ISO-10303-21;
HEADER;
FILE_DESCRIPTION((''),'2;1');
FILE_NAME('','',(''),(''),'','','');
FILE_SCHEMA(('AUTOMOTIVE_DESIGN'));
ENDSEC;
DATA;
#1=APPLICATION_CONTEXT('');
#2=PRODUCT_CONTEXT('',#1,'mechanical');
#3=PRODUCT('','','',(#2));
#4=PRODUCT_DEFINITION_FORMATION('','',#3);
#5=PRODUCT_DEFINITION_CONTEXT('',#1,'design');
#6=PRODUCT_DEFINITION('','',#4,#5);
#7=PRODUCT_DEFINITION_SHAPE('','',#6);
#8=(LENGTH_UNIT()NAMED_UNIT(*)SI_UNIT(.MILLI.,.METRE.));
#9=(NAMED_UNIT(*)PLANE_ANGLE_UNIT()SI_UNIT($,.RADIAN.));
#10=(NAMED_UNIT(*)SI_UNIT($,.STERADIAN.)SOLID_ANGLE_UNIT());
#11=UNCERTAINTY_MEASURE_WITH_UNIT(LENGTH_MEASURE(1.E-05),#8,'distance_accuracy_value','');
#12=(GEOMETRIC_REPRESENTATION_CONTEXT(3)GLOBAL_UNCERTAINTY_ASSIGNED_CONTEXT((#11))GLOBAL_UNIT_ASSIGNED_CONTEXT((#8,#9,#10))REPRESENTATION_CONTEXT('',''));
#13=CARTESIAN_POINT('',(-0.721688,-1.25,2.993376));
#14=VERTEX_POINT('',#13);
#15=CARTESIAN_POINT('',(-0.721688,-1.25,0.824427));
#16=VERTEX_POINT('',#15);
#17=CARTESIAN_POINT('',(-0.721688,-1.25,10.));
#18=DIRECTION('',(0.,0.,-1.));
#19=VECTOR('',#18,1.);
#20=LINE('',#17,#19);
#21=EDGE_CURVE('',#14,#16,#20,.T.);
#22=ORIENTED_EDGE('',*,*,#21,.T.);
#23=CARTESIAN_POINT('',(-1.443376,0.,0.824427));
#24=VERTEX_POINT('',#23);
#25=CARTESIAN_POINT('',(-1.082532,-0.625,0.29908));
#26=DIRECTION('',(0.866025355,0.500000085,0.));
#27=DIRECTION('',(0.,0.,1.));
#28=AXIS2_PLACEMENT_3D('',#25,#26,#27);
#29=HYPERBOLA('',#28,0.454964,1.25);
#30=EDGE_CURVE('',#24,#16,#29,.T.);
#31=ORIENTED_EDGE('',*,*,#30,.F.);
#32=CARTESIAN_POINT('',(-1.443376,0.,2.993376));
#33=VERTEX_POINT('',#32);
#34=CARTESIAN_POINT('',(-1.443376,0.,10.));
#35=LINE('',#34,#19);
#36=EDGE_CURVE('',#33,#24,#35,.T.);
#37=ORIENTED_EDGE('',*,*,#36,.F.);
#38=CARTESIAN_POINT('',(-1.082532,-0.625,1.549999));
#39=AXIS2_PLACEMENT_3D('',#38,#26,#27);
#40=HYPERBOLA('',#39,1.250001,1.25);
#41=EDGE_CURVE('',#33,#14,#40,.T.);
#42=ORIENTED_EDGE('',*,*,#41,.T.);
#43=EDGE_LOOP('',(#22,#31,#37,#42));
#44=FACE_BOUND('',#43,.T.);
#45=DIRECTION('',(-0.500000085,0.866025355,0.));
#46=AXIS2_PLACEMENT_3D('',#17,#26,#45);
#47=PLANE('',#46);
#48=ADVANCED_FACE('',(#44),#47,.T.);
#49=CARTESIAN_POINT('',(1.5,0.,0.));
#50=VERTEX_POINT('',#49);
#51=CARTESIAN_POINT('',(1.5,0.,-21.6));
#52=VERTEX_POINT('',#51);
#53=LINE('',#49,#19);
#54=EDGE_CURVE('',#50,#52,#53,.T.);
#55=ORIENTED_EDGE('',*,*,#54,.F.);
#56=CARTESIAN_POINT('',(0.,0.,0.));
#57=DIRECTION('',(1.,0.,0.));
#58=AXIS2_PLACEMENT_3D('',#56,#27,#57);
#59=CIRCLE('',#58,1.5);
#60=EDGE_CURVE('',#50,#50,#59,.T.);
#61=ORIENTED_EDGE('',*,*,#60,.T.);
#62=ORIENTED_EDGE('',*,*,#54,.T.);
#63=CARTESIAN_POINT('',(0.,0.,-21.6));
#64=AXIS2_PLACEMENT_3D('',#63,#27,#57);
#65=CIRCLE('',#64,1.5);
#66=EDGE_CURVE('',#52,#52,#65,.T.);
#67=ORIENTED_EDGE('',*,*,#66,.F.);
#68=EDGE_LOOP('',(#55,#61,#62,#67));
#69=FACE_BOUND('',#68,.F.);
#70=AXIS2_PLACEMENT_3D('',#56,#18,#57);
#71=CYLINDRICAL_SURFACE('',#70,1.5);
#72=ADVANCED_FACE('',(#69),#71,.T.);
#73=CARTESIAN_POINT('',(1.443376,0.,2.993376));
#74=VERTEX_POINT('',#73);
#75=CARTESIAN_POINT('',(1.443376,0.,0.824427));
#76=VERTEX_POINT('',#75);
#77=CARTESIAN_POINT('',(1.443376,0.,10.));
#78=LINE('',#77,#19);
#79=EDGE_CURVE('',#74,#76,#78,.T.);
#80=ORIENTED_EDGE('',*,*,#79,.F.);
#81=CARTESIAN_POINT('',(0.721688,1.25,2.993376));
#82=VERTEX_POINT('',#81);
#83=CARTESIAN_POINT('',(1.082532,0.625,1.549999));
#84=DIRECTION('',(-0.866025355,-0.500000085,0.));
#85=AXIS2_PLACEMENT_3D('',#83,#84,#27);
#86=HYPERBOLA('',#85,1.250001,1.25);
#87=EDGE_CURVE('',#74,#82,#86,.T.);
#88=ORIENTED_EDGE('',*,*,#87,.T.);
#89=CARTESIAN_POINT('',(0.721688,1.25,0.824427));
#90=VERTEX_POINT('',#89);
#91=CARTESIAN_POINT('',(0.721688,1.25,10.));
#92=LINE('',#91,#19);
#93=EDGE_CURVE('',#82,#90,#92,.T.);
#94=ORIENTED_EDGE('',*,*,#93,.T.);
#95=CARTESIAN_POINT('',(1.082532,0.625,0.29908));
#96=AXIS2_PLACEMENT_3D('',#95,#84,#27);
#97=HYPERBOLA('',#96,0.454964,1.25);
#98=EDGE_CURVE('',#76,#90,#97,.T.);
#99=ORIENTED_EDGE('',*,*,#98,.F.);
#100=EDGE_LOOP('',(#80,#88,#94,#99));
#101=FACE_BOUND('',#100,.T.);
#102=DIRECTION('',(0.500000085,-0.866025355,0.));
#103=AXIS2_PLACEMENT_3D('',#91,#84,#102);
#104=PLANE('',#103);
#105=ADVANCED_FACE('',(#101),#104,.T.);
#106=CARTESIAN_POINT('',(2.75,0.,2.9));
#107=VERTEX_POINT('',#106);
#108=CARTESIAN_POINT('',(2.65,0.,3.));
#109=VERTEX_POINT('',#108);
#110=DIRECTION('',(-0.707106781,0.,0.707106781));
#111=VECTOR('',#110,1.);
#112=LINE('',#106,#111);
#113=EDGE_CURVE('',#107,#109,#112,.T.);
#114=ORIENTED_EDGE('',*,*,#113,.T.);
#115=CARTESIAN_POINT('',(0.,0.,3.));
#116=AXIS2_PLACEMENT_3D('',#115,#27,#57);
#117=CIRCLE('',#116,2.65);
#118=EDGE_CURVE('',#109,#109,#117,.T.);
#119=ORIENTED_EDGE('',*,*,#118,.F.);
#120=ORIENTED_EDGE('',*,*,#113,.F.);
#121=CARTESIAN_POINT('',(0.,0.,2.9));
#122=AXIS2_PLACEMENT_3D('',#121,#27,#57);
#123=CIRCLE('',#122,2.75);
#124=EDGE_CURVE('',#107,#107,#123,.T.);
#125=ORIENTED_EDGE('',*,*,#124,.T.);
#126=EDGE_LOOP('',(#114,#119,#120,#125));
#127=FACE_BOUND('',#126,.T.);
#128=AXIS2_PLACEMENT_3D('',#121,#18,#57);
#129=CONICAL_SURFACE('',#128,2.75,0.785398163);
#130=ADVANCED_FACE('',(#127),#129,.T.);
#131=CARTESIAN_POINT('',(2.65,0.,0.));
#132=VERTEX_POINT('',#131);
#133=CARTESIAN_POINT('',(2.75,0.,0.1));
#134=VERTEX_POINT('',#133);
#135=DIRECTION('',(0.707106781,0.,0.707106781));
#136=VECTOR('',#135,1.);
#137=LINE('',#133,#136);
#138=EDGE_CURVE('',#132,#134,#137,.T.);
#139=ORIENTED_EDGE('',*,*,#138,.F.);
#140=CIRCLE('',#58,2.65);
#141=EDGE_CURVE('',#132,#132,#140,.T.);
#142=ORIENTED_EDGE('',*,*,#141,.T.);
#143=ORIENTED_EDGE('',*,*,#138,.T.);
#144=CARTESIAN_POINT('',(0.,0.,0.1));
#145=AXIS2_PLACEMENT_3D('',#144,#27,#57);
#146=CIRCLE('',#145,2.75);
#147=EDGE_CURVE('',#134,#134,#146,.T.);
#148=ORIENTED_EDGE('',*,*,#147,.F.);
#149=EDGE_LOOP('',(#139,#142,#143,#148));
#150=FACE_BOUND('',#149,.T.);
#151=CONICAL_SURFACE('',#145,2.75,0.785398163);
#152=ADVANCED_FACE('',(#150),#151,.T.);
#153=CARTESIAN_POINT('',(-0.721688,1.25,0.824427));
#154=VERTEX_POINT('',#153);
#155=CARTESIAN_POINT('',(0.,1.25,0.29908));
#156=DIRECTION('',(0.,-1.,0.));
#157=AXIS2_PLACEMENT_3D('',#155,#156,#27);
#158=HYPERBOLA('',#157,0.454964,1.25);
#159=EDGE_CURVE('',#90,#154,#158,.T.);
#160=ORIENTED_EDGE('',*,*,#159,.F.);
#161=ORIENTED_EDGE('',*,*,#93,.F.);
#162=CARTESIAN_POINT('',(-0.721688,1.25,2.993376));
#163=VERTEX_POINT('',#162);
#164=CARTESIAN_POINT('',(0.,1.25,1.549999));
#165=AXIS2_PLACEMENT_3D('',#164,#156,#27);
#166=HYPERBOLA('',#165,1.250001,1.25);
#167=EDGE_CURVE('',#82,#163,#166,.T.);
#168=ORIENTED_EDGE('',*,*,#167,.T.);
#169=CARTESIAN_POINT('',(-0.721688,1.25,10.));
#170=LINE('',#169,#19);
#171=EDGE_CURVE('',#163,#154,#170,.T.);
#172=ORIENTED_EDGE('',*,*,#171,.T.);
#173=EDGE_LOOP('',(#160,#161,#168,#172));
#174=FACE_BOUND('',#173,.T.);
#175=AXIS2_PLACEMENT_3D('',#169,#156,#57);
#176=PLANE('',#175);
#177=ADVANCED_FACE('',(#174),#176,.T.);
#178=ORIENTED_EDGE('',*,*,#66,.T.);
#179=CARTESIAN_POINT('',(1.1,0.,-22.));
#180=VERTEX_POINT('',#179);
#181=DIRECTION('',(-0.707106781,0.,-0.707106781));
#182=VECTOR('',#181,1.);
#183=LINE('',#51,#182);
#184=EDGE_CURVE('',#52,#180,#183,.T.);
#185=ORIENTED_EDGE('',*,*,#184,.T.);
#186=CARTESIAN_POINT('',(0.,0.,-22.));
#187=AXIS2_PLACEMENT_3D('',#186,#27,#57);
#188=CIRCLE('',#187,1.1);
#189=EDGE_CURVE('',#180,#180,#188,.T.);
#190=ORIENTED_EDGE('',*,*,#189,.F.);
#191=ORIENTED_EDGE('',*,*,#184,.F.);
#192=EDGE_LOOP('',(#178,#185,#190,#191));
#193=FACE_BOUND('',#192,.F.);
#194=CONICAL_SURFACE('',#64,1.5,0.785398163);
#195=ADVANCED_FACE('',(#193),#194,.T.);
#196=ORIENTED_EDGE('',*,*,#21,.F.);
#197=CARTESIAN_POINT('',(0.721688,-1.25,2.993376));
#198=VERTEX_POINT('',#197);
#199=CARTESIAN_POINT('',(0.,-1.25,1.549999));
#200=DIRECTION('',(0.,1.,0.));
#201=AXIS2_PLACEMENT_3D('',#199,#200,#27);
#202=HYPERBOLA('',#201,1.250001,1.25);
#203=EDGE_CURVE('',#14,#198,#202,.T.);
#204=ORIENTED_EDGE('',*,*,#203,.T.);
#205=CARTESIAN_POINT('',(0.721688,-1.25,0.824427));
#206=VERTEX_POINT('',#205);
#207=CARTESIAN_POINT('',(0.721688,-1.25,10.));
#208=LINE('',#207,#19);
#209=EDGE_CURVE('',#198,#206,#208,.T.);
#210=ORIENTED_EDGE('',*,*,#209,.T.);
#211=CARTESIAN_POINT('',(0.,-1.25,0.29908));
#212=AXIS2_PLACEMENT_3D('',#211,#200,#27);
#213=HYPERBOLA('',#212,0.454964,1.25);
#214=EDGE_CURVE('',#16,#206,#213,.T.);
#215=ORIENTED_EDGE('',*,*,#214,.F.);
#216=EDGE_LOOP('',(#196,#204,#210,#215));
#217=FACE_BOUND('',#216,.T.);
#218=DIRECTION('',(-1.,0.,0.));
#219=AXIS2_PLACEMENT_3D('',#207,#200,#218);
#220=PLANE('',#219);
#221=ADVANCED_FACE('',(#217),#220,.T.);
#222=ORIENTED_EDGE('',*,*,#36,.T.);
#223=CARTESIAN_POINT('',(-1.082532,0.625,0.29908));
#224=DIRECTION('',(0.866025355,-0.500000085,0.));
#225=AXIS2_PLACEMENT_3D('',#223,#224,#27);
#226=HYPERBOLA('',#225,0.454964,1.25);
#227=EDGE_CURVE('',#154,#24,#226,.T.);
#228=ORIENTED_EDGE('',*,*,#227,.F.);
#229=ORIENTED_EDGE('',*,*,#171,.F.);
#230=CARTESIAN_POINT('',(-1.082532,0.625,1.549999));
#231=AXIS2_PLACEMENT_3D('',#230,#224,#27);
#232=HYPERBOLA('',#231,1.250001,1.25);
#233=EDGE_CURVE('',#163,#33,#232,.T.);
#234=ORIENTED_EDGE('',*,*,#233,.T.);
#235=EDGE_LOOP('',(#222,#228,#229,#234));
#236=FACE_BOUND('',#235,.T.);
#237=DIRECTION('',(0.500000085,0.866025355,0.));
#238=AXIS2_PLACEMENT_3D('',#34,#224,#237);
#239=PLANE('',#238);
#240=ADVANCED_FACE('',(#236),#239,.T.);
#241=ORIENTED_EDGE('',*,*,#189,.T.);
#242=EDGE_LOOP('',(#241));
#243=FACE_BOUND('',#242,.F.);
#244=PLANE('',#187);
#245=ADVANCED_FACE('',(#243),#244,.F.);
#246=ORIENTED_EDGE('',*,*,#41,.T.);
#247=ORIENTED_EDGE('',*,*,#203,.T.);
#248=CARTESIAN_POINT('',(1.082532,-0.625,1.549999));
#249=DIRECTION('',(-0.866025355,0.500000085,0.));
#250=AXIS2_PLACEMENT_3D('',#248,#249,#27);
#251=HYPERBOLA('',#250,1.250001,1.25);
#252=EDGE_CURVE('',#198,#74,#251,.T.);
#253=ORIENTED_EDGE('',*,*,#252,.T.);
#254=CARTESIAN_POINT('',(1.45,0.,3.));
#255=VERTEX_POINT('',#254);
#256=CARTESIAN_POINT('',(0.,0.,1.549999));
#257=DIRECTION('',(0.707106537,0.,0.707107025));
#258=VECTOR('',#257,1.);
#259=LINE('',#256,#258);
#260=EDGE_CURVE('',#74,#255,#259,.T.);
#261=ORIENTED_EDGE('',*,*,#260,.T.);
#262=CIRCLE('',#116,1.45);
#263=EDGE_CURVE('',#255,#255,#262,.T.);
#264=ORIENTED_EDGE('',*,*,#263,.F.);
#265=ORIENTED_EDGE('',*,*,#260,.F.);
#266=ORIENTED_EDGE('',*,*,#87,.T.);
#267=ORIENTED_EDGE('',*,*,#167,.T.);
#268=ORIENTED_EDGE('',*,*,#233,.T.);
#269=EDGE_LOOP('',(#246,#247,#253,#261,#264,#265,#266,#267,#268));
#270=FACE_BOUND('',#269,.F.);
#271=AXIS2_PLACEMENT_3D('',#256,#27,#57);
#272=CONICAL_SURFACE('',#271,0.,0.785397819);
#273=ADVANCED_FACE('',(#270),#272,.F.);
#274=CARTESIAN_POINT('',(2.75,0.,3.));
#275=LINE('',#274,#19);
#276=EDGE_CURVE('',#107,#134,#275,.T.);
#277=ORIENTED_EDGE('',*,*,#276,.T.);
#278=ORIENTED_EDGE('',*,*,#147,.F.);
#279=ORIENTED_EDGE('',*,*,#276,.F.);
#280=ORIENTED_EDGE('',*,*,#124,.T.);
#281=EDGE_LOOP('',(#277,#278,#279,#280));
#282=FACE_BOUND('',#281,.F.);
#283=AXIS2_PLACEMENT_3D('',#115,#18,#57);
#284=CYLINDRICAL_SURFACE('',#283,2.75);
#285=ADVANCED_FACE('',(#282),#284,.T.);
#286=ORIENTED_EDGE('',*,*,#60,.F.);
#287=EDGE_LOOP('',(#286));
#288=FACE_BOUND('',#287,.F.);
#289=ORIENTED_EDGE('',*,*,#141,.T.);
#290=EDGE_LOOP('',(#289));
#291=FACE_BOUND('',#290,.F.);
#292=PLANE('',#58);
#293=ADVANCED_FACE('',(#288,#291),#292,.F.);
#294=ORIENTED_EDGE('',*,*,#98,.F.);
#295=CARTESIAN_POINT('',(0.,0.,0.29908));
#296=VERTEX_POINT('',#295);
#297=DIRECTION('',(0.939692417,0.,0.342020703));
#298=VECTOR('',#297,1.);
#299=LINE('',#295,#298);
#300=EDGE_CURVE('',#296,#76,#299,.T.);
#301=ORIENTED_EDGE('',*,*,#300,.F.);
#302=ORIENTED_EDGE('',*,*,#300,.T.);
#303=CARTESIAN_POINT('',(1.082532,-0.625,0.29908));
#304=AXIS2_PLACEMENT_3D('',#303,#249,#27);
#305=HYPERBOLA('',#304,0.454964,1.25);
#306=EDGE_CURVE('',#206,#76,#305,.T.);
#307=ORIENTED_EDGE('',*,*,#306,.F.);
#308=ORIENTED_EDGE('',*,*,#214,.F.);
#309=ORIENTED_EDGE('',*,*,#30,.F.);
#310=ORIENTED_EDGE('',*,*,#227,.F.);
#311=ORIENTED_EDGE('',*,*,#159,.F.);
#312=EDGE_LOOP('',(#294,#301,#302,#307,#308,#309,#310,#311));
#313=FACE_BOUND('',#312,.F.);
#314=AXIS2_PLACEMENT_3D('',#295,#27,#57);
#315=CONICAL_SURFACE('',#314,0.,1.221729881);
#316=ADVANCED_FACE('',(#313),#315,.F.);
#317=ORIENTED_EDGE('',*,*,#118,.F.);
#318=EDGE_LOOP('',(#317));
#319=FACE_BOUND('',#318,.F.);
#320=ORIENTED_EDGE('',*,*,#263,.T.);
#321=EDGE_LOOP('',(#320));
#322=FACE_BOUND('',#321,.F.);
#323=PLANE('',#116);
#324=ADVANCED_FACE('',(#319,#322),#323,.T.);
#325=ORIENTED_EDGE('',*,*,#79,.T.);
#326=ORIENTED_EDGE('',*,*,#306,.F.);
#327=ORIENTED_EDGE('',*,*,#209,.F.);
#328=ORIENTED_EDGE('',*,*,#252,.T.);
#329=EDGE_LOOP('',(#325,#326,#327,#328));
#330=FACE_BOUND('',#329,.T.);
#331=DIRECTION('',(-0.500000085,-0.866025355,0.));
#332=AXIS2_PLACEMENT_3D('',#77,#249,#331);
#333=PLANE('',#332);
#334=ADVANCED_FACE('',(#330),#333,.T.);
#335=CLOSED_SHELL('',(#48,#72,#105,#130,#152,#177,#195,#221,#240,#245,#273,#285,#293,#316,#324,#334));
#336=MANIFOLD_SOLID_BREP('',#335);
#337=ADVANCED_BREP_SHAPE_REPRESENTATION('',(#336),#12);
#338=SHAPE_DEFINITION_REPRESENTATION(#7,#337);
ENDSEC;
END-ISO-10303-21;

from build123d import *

# Parameters (mm, degrees)
SKETCH001_R     = 3.75
POCKET_DEPTH    = 9.70192
CHAMFER_SIZE    = 0.4
CHAMFER001_SIZE = 0.1


with BuildPart() as pocket:
    # Sketch003 → Revolution001 (revolve)
    with BuildSketch(Plane.XZ):
        Polygon((0, 0.29908), (2.75, 1.3), (2.75, 10), (0, 10), align=None)
    revolve(axis=Axis((0, 0, 0), (0, 0, 1)))

    # Sketch001 → Pocket (cut, through all)
    with BuildSketch(Plane(origin=(0, 0, 10), x_dir=(-1, 0, 0), z_dir=(0, 0, 1))):
        Circle(SKETCH001_R)
        Polygon((-0.721688, 1.25), (0.721688, 1.25), (1.443376, 0), (0.721688, -1.25), (-0.721688, -1.25), (-1.443376, 0), align=None, mode=Mode.SUBTRACT)
    extrude(amount=-POCKET_DEPTH, mode=Mode.SUBTRACT)


with BuildPart() as chamfer001:
    # Sketch → Revolution (revolve)
    with BuildSketch(Plane.XZ):
        Polygon((1.45, 3), (2.75, 3), (2.75, 0), (1.5, 0), (1.5, -22), (0, -22), (0, 1.549999), align=None)
    revolve(axis=Axis((0, 0, 0), (0, 0, 1)))

    # Cut: cut Pocket
    add(pocket.part, mode=Mode.SUBTRACT)

    # Chamfer
    chamfer_edges = [chamfer001.edges().sort_by_distance(p)[0] for p in [
        (-1.5, 0, -22),
    ]]
    chamfer(chamfer_edges, length=CHAMFER_SIZE)

    # Chamfer001
    chamfer001_edges = [chamfer001.edges().sort_by_distance(p)[0] for p in [
        (-2.75, 0, 0),
        (-2.75, 0, 3),
    ]]
    chamfer(chamfer001_edges, length=CHAMFER001_SIZE)


solid = chamfer001.part
